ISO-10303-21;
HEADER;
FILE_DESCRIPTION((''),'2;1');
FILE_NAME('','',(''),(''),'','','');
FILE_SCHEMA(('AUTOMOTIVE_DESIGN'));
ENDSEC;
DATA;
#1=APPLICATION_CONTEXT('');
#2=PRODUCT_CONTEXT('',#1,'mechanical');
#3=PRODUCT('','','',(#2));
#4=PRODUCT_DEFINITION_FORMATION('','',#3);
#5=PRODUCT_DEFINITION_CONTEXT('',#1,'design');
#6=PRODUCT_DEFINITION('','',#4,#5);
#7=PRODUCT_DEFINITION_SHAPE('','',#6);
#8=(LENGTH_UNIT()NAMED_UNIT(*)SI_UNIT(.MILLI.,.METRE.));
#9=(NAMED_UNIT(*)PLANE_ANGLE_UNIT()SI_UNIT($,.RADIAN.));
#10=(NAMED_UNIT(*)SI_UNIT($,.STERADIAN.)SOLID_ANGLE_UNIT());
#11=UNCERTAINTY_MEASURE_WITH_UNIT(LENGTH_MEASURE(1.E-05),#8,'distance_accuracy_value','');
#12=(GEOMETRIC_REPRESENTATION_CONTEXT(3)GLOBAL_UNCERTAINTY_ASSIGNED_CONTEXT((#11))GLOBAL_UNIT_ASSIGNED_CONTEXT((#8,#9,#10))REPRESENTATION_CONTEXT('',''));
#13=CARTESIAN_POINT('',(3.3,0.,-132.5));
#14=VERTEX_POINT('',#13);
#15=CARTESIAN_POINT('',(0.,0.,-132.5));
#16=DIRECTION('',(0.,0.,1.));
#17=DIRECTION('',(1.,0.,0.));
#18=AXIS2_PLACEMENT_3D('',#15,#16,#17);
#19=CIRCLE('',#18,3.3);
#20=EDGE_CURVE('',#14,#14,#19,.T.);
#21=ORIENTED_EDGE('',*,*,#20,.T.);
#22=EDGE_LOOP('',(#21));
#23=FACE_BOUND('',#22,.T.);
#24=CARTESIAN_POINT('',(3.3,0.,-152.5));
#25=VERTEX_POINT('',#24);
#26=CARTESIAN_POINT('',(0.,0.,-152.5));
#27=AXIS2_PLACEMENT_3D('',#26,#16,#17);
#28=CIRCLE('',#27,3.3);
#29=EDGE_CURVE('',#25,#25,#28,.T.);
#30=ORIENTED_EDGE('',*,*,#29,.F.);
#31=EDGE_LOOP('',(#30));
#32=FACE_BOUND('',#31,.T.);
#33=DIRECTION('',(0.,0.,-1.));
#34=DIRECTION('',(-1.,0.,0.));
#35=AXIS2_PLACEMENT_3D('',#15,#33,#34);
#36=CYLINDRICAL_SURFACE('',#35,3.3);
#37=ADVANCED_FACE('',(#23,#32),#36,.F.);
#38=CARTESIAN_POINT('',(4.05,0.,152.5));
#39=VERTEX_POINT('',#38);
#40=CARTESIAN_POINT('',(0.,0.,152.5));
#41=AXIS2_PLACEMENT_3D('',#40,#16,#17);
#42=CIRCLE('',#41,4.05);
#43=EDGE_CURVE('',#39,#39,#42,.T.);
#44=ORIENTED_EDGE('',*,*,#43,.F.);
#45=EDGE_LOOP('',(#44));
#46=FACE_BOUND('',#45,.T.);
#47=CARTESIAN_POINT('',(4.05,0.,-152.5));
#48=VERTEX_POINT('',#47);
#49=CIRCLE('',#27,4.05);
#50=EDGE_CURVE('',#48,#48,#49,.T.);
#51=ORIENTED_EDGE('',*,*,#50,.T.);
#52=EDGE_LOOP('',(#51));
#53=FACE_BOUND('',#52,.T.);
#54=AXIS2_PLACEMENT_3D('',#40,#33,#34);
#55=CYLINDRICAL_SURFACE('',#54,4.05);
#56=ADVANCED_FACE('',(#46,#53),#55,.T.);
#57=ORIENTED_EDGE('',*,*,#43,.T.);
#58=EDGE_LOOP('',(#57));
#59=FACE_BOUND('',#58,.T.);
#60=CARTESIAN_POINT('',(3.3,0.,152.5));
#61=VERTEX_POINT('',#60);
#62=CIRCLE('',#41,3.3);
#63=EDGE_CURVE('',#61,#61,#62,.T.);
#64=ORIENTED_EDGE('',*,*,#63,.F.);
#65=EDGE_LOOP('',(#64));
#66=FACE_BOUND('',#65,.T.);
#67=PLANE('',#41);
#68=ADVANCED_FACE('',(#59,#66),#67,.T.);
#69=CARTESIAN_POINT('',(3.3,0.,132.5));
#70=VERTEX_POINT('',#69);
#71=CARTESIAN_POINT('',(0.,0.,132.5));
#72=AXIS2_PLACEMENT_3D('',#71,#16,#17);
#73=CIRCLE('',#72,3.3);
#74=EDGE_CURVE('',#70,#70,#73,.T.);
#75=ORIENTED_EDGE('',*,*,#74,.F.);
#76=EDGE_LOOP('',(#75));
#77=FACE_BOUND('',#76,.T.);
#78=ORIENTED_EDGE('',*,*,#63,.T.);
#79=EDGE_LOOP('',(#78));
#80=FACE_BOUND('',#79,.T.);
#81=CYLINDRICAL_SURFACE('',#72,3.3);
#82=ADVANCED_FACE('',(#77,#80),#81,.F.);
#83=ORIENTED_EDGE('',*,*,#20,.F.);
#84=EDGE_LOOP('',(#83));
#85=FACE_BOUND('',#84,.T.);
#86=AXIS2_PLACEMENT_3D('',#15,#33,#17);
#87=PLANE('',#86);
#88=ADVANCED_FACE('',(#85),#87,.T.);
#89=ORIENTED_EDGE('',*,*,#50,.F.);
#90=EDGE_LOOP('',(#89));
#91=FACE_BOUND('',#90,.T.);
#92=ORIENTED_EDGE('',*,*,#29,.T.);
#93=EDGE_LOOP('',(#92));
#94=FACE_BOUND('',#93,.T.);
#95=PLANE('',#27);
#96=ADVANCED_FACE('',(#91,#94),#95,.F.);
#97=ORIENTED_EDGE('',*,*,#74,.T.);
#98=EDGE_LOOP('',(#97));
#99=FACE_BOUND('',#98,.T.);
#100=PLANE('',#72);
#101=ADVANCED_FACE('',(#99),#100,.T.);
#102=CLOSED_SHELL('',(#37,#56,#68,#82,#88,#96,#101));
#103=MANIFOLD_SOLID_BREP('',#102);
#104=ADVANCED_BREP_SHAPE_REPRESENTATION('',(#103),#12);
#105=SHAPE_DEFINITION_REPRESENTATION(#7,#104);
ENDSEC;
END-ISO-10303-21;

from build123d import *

# Parameters (mm, degrees)
SKETCH1_R           = 4.05
BOSS_EXTRUDE1_DEPTH = 152.5
SKETCH2_R           = 3.3
CUT_EXTRUDE1_DEPTH  = 20


with BuildPart() as part:
    # Sketch1 → Boss-Extrude1 (new, symmetric)
    with BuildSketch(Plane.XY):
        Circle(SKETCH1_R)
    extrude(amount=BOSS_EXTRUDE1_DEPTH, both=True)

    # Sketch2 → Cut-Extrude1 (cut)
    with BuildSketch(Plane.XY.offset(152.5)):
        Circle(SKETCH2_R)
    cut_extrude1 = extrude(amount=-CUT_EXTRUDE1_DEPTH, mode=Mode.SUBTRACT)

    # Mirror1: Cut-Extrude1 across plane
    add(cut_extrude1.mirror(Plane.XY), mode=Mode.SUBTRACT)


solid = part.part
